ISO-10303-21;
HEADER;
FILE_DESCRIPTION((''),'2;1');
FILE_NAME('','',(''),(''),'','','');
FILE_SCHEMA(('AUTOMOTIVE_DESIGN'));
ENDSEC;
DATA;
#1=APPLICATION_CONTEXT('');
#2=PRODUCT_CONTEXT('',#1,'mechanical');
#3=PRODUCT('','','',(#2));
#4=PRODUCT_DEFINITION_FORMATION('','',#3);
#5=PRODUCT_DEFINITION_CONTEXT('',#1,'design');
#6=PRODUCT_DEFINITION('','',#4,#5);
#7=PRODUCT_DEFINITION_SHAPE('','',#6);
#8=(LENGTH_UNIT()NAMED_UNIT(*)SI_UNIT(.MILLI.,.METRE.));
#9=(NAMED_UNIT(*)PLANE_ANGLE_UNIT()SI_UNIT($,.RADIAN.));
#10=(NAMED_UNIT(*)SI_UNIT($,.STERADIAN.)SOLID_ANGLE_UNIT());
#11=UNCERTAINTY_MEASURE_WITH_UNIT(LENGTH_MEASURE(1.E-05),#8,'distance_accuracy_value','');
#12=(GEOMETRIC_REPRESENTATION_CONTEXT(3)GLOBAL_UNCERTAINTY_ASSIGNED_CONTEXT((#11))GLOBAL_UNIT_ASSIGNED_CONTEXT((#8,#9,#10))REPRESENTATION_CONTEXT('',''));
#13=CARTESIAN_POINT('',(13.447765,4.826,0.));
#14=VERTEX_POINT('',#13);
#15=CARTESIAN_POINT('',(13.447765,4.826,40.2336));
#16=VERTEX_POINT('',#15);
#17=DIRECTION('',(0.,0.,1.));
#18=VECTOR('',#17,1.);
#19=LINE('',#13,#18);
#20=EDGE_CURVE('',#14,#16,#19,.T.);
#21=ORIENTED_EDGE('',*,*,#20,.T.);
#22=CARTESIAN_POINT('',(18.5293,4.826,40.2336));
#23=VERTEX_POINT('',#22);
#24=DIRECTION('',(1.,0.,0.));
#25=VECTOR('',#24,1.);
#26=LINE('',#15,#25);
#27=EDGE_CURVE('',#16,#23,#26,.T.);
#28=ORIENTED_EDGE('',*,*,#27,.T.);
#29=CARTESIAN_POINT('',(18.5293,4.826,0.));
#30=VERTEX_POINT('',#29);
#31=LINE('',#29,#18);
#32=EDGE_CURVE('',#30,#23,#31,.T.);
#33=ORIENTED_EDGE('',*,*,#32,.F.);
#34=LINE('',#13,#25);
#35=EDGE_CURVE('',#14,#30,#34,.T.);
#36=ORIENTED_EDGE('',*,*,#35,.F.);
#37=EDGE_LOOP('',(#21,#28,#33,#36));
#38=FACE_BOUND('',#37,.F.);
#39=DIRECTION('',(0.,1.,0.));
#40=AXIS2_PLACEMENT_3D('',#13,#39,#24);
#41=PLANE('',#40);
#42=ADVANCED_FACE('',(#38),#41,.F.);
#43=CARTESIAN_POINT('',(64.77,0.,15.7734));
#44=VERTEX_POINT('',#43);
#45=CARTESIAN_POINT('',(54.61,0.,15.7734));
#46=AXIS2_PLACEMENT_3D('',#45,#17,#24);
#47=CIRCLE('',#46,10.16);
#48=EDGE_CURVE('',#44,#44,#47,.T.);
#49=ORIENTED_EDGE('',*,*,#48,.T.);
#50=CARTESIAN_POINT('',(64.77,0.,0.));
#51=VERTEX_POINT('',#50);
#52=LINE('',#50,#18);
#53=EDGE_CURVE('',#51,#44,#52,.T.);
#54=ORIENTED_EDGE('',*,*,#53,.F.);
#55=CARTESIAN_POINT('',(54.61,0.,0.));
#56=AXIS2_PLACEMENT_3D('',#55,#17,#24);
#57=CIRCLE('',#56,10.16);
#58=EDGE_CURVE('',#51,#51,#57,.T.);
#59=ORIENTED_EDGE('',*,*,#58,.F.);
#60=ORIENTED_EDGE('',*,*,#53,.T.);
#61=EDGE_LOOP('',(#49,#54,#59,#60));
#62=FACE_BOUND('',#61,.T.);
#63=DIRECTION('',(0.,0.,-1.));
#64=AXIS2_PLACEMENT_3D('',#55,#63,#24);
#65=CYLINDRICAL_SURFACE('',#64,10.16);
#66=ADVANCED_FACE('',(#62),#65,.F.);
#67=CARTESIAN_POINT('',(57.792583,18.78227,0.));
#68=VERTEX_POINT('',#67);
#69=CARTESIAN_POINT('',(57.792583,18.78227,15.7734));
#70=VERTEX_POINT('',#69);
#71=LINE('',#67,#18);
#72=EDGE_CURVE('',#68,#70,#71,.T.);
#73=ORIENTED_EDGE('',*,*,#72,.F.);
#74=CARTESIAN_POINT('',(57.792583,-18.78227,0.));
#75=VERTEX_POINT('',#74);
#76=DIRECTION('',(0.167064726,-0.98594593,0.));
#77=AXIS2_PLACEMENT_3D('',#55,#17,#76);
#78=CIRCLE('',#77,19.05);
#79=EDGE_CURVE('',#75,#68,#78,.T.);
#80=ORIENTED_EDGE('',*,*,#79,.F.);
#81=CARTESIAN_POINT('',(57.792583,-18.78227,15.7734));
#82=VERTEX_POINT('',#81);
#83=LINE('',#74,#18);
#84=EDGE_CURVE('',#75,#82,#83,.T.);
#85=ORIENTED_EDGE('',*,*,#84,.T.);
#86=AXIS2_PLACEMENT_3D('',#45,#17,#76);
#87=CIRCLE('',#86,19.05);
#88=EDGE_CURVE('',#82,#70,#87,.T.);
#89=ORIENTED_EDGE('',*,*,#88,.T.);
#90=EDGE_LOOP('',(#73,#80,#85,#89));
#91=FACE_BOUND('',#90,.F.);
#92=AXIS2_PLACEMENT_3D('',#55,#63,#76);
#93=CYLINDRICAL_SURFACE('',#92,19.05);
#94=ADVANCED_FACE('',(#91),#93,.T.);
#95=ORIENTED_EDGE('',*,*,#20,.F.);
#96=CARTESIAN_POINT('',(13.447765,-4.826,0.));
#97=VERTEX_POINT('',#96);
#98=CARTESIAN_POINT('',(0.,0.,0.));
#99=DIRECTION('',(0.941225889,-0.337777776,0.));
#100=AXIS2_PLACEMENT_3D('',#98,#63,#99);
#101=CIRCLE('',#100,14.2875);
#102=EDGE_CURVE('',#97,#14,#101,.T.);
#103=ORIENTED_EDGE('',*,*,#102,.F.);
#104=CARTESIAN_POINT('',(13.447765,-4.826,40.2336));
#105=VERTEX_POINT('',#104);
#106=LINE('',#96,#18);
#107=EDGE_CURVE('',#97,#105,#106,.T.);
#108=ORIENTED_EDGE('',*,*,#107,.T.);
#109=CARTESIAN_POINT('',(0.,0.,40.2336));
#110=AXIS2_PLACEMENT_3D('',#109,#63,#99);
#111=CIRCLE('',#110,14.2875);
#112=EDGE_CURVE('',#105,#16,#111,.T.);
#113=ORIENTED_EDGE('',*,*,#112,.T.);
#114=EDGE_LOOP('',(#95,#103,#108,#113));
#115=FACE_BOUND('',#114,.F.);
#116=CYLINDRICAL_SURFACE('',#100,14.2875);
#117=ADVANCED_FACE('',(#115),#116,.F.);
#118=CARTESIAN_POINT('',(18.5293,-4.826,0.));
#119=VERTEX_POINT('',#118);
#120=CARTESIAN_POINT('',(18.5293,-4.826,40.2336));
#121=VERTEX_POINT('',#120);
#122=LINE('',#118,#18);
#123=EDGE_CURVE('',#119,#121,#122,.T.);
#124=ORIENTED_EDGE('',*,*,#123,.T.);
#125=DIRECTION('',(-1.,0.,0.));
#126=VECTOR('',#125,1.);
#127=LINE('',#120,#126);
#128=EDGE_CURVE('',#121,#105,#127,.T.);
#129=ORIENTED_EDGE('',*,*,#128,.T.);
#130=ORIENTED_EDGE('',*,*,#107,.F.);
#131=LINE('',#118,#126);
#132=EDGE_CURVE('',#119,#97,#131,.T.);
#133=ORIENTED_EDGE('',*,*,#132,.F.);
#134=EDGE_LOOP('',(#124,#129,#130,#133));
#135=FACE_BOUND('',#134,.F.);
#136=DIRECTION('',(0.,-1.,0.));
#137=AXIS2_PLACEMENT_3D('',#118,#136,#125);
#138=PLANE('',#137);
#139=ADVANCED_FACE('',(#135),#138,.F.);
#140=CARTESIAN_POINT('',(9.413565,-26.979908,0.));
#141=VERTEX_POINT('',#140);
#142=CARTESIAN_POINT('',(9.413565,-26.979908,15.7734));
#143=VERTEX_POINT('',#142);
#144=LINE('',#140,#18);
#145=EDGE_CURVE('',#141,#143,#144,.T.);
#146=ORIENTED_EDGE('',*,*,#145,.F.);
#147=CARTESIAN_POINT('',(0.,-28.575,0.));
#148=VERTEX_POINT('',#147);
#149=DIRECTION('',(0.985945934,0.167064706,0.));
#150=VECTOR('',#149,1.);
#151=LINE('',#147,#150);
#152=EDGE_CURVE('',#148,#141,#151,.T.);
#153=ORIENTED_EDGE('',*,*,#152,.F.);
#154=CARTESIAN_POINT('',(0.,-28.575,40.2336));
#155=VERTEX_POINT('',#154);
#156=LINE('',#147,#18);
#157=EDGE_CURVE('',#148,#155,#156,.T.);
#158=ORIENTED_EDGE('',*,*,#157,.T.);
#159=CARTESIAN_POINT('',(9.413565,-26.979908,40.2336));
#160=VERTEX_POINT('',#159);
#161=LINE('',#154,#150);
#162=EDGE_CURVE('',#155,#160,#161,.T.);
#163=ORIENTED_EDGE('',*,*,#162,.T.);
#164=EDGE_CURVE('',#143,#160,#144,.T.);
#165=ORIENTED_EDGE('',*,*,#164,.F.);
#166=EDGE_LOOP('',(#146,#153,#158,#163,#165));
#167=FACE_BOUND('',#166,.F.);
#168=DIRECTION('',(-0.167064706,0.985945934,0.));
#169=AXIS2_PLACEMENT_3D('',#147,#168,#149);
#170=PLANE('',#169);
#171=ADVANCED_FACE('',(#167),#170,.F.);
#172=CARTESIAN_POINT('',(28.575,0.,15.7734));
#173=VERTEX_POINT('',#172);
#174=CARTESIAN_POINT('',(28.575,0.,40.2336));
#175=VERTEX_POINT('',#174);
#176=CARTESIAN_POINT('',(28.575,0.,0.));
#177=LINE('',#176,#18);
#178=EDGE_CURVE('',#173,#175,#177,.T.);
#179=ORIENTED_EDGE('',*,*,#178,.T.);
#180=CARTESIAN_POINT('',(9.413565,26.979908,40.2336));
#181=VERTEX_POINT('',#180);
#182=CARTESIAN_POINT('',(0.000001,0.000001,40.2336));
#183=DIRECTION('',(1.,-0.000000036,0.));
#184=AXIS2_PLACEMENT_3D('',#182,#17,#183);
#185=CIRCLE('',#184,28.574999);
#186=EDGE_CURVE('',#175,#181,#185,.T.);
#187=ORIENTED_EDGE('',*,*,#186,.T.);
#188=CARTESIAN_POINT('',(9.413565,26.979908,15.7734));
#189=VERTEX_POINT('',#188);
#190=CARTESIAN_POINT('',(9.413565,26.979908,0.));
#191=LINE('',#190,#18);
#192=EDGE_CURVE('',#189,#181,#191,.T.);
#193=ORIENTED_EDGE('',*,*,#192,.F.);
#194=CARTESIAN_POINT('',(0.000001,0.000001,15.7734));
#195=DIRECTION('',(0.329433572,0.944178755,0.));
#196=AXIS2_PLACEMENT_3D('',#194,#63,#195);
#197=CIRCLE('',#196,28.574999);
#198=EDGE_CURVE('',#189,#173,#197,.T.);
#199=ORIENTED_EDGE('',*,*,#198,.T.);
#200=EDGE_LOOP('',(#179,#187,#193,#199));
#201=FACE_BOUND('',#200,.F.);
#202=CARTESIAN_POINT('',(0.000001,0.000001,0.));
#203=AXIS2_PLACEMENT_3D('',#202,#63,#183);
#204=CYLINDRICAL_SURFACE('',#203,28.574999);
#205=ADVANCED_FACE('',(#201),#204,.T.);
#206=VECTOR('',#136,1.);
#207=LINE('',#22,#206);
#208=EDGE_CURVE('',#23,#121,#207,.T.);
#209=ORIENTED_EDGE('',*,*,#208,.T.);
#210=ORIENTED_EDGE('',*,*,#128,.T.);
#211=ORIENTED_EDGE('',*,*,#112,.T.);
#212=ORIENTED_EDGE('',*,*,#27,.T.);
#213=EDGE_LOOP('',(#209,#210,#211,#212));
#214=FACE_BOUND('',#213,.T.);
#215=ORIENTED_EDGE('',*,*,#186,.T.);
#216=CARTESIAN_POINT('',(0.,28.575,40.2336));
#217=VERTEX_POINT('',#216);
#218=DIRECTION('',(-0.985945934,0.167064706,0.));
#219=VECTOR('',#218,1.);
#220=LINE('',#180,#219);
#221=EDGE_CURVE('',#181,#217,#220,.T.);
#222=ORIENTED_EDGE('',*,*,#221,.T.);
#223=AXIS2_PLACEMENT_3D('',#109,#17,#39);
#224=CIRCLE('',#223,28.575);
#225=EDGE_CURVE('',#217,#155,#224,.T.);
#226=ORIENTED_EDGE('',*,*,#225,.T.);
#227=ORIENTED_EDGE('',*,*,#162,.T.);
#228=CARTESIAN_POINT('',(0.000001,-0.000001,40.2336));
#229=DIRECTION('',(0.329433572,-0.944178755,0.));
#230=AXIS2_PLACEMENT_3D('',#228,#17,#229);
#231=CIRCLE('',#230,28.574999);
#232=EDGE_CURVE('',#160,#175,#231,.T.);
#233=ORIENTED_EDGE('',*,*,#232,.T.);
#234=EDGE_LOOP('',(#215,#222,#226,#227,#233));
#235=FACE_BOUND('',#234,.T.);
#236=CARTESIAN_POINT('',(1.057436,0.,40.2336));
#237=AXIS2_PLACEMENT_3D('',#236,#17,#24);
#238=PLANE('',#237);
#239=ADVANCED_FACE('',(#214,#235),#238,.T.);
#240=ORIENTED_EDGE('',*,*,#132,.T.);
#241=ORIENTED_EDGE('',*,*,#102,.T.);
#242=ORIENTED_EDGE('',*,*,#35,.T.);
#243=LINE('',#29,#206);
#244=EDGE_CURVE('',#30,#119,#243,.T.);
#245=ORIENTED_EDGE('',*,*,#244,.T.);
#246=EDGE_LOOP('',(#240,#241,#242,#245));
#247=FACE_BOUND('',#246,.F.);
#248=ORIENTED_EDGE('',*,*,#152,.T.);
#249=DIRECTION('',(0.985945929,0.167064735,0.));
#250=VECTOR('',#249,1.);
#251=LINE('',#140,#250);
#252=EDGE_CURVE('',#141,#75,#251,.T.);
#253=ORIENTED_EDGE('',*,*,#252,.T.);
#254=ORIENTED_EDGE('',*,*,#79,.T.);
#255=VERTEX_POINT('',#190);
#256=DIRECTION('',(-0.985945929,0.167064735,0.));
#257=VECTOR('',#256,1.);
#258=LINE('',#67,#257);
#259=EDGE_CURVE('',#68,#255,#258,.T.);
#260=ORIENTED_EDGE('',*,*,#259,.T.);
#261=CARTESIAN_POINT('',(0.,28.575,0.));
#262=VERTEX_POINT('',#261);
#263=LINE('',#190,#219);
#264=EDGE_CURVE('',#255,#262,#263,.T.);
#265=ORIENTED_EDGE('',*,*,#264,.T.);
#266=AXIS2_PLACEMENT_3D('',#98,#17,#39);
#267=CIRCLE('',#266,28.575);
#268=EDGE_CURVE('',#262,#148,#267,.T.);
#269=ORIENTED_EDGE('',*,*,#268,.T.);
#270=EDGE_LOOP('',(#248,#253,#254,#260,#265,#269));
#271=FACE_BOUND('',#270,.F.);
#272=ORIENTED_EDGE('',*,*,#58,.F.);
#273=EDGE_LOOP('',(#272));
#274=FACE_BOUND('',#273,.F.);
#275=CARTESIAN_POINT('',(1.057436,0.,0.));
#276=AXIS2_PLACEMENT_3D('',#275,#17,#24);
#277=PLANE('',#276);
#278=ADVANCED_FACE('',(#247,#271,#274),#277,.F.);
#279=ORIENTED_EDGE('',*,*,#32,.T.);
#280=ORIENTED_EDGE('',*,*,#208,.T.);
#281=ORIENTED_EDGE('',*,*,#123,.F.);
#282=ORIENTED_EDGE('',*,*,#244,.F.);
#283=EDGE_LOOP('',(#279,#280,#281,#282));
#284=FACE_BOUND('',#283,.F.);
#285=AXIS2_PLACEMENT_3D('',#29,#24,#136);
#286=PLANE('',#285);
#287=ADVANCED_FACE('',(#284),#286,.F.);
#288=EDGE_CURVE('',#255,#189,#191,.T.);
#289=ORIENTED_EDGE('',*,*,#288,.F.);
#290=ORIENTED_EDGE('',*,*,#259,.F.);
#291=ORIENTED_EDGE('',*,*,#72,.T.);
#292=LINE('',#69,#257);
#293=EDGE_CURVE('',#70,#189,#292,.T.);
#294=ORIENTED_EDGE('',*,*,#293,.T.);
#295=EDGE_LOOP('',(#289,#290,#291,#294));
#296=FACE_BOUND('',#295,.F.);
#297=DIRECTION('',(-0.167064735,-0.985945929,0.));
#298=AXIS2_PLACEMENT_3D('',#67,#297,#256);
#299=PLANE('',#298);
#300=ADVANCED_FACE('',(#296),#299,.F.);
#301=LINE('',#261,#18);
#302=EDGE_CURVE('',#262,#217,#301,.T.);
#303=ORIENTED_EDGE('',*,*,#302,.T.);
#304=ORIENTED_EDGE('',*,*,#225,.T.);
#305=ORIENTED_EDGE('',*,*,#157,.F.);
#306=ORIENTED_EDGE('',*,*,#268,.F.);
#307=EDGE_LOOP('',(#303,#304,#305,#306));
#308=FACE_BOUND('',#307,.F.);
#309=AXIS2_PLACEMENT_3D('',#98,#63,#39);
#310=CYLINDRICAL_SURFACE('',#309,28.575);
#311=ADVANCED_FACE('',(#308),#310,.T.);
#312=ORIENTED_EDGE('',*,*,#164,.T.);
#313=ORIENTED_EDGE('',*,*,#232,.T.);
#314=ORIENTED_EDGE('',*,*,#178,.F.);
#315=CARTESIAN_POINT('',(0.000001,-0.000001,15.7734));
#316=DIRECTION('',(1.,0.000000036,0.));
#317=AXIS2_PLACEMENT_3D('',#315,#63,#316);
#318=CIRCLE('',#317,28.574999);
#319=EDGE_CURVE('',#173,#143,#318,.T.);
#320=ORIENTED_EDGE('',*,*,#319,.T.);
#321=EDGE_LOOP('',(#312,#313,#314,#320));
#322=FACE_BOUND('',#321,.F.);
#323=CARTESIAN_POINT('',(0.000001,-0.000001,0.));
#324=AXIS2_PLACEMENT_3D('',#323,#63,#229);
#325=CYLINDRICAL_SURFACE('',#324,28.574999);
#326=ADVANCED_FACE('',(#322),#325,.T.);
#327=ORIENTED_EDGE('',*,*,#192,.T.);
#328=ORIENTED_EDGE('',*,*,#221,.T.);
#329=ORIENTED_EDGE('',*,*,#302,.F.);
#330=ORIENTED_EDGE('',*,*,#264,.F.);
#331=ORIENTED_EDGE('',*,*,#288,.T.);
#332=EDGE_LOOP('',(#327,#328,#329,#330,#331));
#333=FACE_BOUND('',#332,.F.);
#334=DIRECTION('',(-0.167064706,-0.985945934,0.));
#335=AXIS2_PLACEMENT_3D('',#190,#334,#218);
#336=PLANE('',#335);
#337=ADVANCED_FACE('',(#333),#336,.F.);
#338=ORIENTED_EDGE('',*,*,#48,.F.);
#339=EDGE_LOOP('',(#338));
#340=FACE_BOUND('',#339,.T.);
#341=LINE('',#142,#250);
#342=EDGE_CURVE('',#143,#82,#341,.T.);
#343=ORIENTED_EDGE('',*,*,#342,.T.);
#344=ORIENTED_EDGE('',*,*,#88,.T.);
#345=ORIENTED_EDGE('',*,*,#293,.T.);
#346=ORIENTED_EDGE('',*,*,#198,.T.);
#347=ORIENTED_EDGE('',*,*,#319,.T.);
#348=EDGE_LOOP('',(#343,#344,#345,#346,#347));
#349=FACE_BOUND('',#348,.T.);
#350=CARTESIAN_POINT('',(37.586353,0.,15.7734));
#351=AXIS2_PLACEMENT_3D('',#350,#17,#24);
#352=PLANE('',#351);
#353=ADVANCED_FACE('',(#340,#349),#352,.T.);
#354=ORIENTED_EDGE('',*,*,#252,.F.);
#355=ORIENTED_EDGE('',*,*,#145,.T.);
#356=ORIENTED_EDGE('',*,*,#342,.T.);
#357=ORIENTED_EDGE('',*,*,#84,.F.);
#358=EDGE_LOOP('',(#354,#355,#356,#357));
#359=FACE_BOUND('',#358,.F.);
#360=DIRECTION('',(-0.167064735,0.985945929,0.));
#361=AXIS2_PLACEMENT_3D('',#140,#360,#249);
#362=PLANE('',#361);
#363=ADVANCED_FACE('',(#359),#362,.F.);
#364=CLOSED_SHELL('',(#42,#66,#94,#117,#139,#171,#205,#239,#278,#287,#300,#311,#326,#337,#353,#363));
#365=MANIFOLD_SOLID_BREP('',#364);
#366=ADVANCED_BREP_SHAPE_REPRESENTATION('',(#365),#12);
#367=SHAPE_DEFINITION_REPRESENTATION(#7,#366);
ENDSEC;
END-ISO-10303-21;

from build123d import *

# Parameters (mm, degrees)
F0_R     = 10.16
F1_DEPTH = 15.7734
F2_DEPTH = 40.2336


with BuildPart() as f1:
    # F0 (on Top) → F1 (new body)
    with BuildSketch(Plane.XY):
        with BuildLine():
            Line((57.792583, 18.78227), (9.413565, 26.979908))
            ThreePointArc((9.413565, 26.979908), (23.297245, 16.545967), (28.575, 0))
            ThreePointArc((28.575, 0), (23.297245, -16.545967), (9.413565, -26.979908))
            Line((9.413565, -26.979908), (57.792583, -18.78227))
            ThreePointArc((57.792583, -18.78227), (73.66, 0), (57.792583, 18.78227))
        make_face()
        with Locations((54.61, 0)):
            Circle(F0_R, mode=Mode.SUBTRACT)
    extrude(amount=F1_DEPTH)

    # F0 (on Top) → F2 (join)
    with BuildSketch(Plane.XY):
        with BuildLine():
            Line((9.413565, 26.979908), (0, 28.575))
            ThreePointArc((0, 28.575), (-28.575, 0), (0, -28.575))
            Line((0, -28.575), (9.413565, -26.979908))
            ThreePointArc((9.413565, -26.979908), (23.297245, -16.545967), (28.575, 0))
            ThreePointArc((28.575, 0), (23.297245, 16.545967), (9.413565, 26.979908))
        make_face()
        with BuildLine():
            ThreePointArc((13.447765, -4.826), (-14.2875, 0), (13.447765, 4.826))
            Line((13.447765, 4.826), (18.5293, 4.826))
            Line((18.5293, 4.826), (18.5293, -4.826))
            Line((18.5293, -4.826), (13.447765, -4.826))
        make_face(mode=Mode.SUBTRACT)
    extrude(amount=F2_DEPTH)


solid = f1.part
